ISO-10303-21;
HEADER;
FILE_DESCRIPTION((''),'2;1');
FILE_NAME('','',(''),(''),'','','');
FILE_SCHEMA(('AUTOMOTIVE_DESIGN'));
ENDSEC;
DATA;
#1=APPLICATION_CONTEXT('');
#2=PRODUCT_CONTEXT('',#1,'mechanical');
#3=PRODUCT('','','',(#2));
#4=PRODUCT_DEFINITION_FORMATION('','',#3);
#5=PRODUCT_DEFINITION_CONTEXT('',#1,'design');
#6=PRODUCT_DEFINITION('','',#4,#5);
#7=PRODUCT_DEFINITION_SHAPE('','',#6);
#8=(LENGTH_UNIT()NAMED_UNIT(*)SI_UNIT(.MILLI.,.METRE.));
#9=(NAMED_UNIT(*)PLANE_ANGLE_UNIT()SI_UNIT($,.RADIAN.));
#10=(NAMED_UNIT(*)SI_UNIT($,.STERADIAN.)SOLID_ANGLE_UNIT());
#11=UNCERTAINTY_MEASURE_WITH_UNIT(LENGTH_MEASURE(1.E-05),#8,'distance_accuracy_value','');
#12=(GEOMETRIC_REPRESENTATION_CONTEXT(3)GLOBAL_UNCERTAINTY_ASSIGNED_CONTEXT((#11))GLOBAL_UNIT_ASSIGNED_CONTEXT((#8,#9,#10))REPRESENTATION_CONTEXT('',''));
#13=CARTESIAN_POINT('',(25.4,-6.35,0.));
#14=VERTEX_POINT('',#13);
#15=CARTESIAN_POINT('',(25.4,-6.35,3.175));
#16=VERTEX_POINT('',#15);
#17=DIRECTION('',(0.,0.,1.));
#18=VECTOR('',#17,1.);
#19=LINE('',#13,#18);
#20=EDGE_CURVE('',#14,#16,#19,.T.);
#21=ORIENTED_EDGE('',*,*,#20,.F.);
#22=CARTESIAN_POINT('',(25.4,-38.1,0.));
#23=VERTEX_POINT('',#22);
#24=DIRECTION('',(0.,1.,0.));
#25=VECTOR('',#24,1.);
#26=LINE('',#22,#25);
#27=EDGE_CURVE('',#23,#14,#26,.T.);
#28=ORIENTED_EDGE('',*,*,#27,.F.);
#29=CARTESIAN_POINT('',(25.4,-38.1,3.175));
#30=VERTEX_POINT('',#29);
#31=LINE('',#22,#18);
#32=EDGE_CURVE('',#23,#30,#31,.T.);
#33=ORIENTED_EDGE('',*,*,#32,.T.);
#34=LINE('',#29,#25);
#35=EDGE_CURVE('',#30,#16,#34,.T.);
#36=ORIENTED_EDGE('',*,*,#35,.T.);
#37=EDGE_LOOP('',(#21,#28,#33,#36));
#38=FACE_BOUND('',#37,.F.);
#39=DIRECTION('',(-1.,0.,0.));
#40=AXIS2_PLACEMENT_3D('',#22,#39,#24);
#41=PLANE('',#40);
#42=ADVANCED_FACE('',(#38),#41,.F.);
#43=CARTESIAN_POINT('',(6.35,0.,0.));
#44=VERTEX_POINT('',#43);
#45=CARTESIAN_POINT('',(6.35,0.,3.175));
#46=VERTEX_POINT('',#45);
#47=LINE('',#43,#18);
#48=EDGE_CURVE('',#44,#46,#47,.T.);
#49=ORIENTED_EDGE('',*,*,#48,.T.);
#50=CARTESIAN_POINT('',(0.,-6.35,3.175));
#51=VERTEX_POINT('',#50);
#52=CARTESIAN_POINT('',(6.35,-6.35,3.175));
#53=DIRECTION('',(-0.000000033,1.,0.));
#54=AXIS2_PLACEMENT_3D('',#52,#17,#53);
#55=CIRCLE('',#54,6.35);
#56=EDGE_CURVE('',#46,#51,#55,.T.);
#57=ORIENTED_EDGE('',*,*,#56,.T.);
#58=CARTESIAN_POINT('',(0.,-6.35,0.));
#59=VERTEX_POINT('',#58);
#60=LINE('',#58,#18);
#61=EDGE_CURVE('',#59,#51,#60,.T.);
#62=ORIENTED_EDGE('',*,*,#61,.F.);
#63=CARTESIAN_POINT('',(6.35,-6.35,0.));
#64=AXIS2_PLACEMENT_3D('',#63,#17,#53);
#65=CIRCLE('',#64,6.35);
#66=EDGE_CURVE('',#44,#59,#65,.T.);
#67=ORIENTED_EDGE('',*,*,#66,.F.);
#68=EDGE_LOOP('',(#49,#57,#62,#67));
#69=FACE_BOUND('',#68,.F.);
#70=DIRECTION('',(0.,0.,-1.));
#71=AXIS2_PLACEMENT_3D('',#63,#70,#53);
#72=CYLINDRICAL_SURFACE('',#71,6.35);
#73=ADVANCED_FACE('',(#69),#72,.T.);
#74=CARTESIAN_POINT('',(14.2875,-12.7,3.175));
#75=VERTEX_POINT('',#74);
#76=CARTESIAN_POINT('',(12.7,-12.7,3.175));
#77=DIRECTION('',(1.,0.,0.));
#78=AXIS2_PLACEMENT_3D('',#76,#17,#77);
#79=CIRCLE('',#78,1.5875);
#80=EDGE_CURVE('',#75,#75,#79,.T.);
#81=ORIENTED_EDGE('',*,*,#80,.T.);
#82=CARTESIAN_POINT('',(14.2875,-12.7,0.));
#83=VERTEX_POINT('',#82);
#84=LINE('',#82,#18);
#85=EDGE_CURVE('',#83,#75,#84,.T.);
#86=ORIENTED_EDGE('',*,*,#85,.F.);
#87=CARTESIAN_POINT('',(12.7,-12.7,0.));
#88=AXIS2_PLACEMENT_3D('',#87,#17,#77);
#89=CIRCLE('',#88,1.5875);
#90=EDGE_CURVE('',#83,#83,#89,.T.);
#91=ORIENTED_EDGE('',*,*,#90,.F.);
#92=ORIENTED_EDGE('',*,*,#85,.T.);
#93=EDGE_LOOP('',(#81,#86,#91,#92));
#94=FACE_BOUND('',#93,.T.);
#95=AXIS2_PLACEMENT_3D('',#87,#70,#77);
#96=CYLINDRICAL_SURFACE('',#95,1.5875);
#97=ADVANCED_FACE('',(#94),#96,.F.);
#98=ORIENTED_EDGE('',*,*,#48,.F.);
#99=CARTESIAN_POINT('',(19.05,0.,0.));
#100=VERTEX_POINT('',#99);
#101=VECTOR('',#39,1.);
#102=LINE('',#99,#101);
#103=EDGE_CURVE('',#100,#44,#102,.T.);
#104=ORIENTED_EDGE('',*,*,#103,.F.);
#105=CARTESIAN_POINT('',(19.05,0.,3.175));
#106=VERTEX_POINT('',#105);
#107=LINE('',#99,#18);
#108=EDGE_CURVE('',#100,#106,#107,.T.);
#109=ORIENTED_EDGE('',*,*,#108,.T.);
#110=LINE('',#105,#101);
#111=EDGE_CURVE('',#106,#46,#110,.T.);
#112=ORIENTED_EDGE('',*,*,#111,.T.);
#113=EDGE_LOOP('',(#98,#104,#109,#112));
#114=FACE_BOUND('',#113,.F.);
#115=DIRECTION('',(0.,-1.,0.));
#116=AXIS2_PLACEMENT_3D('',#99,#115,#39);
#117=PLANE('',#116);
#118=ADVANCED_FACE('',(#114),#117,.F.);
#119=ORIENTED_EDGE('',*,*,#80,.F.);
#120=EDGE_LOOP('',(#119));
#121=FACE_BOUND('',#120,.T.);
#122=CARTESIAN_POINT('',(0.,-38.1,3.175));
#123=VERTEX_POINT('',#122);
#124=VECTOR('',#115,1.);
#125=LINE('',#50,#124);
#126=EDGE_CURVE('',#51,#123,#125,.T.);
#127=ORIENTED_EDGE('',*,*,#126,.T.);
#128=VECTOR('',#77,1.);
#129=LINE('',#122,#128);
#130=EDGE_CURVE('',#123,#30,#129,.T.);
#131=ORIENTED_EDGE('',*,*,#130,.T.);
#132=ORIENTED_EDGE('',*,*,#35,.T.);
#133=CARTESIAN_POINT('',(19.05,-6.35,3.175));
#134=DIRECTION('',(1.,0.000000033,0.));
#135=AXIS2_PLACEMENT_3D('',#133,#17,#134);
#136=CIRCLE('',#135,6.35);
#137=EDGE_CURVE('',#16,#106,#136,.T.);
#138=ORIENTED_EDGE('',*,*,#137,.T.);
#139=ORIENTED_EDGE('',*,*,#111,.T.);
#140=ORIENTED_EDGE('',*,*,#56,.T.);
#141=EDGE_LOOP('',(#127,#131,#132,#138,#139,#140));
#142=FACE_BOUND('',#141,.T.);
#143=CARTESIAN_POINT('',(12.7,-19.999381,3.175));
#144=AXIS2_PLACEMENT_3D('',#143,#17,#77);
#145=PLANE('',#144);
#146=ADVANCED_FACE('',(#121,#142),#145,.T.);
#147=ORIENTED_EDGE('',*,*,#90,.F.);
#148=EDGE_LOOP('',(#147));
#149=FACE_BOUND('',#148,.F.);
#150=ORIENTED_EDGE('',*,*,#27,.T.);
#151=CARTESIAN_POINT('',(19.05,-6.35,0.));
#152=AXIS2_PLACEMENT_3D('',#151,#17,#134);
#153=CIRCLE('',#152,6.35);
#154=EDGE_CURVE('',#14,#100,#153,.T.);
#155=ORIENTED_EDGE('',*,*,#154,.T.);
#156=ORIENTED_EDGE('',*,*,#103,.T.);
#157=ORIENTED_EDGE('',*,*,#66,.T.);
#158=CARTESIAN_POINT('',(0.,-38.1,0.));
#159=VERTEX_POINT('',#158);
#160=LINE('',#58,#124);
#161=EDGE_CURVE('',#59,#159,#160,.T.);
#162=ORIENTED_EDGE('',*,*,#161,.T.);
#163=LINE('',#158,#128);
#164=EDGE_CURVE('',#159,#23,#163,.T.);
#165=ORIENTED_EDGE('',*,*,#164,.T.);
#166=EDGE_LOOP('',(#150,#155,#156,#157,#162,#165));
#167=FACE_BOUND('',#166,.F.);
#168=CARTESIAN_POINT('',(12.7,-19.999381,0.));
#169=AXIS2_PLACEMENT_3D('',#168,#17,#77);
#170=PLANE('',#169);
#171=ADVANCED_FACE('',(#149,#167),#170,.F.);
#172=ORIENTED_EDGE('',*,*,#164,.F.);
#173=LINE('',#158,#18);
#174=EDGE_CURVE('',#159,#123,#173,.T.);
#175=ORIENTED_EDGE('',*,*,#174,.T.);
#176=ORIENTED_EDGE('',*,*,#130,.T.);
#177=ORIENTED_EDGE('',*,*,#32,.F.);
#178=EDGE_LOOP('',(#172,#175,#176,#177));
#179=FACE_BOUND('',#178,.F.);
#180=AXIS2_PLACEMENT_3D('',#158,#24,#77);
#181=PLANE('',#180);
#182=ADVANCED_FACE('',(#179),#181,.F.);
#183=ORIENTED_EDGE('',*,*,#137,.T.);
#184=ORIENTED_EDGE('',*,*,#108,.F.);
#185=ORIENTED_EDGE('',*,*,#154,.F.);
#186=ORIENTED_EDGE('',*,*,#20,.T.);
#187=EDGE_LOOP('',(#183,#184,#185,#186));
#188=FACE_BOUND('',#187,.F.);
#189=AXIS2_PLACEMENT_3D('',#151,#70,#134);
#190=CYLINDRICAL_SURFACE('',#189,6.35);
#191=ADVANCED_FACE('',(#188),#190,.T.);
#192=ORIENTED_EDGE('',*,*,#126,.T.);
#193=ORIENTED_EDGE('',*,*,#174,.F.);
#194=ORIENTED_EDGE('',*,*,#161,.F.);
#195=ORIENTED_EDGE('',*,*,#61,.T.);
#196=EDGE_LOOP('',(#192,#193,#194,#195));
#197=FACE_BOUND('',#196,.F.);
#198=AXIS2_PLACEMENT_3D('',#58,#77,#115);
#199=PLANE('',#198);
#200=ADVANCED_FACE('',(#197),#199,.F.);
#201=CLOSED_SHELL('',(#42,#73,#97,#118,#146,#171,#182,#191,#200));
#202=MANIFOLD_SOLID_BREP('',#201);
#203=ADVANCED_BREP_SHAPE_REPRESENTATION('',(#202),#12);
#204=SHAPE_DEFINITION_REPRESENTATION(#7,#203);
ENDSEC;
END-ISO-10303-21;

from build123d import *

# Parameters (mm, degrees)
F0_R     = 1.5875
F1_DEPTH = 3.175


with BuildPart() as f1:
    # F0 (on Top) → F1 (new body)
    with BuildSketch(Plane.XY):
        with BuildLine():
            Line((19.05, 0), (6.35, 0))
            ThreePointArc((6.35, 0), (1.859872, -1.859872), (0, -6.35))
            Line((0, -6.35), (0, -38.1))
            Line((0, -38.1), (25.4, -38.1))
            Line((25.4, -38.1), (25.4, -6.35))
            ThreePointArc((25.4, -6.35), (23.540128, -1.859872), (19.05, 0))
        make_face()
        with Locations((12.7, -12.7)):
            Circle(F0_R, mode=Mode.SUBTRACT)
    extrude(amount=F1_DEPTH)


solid = f1.part
